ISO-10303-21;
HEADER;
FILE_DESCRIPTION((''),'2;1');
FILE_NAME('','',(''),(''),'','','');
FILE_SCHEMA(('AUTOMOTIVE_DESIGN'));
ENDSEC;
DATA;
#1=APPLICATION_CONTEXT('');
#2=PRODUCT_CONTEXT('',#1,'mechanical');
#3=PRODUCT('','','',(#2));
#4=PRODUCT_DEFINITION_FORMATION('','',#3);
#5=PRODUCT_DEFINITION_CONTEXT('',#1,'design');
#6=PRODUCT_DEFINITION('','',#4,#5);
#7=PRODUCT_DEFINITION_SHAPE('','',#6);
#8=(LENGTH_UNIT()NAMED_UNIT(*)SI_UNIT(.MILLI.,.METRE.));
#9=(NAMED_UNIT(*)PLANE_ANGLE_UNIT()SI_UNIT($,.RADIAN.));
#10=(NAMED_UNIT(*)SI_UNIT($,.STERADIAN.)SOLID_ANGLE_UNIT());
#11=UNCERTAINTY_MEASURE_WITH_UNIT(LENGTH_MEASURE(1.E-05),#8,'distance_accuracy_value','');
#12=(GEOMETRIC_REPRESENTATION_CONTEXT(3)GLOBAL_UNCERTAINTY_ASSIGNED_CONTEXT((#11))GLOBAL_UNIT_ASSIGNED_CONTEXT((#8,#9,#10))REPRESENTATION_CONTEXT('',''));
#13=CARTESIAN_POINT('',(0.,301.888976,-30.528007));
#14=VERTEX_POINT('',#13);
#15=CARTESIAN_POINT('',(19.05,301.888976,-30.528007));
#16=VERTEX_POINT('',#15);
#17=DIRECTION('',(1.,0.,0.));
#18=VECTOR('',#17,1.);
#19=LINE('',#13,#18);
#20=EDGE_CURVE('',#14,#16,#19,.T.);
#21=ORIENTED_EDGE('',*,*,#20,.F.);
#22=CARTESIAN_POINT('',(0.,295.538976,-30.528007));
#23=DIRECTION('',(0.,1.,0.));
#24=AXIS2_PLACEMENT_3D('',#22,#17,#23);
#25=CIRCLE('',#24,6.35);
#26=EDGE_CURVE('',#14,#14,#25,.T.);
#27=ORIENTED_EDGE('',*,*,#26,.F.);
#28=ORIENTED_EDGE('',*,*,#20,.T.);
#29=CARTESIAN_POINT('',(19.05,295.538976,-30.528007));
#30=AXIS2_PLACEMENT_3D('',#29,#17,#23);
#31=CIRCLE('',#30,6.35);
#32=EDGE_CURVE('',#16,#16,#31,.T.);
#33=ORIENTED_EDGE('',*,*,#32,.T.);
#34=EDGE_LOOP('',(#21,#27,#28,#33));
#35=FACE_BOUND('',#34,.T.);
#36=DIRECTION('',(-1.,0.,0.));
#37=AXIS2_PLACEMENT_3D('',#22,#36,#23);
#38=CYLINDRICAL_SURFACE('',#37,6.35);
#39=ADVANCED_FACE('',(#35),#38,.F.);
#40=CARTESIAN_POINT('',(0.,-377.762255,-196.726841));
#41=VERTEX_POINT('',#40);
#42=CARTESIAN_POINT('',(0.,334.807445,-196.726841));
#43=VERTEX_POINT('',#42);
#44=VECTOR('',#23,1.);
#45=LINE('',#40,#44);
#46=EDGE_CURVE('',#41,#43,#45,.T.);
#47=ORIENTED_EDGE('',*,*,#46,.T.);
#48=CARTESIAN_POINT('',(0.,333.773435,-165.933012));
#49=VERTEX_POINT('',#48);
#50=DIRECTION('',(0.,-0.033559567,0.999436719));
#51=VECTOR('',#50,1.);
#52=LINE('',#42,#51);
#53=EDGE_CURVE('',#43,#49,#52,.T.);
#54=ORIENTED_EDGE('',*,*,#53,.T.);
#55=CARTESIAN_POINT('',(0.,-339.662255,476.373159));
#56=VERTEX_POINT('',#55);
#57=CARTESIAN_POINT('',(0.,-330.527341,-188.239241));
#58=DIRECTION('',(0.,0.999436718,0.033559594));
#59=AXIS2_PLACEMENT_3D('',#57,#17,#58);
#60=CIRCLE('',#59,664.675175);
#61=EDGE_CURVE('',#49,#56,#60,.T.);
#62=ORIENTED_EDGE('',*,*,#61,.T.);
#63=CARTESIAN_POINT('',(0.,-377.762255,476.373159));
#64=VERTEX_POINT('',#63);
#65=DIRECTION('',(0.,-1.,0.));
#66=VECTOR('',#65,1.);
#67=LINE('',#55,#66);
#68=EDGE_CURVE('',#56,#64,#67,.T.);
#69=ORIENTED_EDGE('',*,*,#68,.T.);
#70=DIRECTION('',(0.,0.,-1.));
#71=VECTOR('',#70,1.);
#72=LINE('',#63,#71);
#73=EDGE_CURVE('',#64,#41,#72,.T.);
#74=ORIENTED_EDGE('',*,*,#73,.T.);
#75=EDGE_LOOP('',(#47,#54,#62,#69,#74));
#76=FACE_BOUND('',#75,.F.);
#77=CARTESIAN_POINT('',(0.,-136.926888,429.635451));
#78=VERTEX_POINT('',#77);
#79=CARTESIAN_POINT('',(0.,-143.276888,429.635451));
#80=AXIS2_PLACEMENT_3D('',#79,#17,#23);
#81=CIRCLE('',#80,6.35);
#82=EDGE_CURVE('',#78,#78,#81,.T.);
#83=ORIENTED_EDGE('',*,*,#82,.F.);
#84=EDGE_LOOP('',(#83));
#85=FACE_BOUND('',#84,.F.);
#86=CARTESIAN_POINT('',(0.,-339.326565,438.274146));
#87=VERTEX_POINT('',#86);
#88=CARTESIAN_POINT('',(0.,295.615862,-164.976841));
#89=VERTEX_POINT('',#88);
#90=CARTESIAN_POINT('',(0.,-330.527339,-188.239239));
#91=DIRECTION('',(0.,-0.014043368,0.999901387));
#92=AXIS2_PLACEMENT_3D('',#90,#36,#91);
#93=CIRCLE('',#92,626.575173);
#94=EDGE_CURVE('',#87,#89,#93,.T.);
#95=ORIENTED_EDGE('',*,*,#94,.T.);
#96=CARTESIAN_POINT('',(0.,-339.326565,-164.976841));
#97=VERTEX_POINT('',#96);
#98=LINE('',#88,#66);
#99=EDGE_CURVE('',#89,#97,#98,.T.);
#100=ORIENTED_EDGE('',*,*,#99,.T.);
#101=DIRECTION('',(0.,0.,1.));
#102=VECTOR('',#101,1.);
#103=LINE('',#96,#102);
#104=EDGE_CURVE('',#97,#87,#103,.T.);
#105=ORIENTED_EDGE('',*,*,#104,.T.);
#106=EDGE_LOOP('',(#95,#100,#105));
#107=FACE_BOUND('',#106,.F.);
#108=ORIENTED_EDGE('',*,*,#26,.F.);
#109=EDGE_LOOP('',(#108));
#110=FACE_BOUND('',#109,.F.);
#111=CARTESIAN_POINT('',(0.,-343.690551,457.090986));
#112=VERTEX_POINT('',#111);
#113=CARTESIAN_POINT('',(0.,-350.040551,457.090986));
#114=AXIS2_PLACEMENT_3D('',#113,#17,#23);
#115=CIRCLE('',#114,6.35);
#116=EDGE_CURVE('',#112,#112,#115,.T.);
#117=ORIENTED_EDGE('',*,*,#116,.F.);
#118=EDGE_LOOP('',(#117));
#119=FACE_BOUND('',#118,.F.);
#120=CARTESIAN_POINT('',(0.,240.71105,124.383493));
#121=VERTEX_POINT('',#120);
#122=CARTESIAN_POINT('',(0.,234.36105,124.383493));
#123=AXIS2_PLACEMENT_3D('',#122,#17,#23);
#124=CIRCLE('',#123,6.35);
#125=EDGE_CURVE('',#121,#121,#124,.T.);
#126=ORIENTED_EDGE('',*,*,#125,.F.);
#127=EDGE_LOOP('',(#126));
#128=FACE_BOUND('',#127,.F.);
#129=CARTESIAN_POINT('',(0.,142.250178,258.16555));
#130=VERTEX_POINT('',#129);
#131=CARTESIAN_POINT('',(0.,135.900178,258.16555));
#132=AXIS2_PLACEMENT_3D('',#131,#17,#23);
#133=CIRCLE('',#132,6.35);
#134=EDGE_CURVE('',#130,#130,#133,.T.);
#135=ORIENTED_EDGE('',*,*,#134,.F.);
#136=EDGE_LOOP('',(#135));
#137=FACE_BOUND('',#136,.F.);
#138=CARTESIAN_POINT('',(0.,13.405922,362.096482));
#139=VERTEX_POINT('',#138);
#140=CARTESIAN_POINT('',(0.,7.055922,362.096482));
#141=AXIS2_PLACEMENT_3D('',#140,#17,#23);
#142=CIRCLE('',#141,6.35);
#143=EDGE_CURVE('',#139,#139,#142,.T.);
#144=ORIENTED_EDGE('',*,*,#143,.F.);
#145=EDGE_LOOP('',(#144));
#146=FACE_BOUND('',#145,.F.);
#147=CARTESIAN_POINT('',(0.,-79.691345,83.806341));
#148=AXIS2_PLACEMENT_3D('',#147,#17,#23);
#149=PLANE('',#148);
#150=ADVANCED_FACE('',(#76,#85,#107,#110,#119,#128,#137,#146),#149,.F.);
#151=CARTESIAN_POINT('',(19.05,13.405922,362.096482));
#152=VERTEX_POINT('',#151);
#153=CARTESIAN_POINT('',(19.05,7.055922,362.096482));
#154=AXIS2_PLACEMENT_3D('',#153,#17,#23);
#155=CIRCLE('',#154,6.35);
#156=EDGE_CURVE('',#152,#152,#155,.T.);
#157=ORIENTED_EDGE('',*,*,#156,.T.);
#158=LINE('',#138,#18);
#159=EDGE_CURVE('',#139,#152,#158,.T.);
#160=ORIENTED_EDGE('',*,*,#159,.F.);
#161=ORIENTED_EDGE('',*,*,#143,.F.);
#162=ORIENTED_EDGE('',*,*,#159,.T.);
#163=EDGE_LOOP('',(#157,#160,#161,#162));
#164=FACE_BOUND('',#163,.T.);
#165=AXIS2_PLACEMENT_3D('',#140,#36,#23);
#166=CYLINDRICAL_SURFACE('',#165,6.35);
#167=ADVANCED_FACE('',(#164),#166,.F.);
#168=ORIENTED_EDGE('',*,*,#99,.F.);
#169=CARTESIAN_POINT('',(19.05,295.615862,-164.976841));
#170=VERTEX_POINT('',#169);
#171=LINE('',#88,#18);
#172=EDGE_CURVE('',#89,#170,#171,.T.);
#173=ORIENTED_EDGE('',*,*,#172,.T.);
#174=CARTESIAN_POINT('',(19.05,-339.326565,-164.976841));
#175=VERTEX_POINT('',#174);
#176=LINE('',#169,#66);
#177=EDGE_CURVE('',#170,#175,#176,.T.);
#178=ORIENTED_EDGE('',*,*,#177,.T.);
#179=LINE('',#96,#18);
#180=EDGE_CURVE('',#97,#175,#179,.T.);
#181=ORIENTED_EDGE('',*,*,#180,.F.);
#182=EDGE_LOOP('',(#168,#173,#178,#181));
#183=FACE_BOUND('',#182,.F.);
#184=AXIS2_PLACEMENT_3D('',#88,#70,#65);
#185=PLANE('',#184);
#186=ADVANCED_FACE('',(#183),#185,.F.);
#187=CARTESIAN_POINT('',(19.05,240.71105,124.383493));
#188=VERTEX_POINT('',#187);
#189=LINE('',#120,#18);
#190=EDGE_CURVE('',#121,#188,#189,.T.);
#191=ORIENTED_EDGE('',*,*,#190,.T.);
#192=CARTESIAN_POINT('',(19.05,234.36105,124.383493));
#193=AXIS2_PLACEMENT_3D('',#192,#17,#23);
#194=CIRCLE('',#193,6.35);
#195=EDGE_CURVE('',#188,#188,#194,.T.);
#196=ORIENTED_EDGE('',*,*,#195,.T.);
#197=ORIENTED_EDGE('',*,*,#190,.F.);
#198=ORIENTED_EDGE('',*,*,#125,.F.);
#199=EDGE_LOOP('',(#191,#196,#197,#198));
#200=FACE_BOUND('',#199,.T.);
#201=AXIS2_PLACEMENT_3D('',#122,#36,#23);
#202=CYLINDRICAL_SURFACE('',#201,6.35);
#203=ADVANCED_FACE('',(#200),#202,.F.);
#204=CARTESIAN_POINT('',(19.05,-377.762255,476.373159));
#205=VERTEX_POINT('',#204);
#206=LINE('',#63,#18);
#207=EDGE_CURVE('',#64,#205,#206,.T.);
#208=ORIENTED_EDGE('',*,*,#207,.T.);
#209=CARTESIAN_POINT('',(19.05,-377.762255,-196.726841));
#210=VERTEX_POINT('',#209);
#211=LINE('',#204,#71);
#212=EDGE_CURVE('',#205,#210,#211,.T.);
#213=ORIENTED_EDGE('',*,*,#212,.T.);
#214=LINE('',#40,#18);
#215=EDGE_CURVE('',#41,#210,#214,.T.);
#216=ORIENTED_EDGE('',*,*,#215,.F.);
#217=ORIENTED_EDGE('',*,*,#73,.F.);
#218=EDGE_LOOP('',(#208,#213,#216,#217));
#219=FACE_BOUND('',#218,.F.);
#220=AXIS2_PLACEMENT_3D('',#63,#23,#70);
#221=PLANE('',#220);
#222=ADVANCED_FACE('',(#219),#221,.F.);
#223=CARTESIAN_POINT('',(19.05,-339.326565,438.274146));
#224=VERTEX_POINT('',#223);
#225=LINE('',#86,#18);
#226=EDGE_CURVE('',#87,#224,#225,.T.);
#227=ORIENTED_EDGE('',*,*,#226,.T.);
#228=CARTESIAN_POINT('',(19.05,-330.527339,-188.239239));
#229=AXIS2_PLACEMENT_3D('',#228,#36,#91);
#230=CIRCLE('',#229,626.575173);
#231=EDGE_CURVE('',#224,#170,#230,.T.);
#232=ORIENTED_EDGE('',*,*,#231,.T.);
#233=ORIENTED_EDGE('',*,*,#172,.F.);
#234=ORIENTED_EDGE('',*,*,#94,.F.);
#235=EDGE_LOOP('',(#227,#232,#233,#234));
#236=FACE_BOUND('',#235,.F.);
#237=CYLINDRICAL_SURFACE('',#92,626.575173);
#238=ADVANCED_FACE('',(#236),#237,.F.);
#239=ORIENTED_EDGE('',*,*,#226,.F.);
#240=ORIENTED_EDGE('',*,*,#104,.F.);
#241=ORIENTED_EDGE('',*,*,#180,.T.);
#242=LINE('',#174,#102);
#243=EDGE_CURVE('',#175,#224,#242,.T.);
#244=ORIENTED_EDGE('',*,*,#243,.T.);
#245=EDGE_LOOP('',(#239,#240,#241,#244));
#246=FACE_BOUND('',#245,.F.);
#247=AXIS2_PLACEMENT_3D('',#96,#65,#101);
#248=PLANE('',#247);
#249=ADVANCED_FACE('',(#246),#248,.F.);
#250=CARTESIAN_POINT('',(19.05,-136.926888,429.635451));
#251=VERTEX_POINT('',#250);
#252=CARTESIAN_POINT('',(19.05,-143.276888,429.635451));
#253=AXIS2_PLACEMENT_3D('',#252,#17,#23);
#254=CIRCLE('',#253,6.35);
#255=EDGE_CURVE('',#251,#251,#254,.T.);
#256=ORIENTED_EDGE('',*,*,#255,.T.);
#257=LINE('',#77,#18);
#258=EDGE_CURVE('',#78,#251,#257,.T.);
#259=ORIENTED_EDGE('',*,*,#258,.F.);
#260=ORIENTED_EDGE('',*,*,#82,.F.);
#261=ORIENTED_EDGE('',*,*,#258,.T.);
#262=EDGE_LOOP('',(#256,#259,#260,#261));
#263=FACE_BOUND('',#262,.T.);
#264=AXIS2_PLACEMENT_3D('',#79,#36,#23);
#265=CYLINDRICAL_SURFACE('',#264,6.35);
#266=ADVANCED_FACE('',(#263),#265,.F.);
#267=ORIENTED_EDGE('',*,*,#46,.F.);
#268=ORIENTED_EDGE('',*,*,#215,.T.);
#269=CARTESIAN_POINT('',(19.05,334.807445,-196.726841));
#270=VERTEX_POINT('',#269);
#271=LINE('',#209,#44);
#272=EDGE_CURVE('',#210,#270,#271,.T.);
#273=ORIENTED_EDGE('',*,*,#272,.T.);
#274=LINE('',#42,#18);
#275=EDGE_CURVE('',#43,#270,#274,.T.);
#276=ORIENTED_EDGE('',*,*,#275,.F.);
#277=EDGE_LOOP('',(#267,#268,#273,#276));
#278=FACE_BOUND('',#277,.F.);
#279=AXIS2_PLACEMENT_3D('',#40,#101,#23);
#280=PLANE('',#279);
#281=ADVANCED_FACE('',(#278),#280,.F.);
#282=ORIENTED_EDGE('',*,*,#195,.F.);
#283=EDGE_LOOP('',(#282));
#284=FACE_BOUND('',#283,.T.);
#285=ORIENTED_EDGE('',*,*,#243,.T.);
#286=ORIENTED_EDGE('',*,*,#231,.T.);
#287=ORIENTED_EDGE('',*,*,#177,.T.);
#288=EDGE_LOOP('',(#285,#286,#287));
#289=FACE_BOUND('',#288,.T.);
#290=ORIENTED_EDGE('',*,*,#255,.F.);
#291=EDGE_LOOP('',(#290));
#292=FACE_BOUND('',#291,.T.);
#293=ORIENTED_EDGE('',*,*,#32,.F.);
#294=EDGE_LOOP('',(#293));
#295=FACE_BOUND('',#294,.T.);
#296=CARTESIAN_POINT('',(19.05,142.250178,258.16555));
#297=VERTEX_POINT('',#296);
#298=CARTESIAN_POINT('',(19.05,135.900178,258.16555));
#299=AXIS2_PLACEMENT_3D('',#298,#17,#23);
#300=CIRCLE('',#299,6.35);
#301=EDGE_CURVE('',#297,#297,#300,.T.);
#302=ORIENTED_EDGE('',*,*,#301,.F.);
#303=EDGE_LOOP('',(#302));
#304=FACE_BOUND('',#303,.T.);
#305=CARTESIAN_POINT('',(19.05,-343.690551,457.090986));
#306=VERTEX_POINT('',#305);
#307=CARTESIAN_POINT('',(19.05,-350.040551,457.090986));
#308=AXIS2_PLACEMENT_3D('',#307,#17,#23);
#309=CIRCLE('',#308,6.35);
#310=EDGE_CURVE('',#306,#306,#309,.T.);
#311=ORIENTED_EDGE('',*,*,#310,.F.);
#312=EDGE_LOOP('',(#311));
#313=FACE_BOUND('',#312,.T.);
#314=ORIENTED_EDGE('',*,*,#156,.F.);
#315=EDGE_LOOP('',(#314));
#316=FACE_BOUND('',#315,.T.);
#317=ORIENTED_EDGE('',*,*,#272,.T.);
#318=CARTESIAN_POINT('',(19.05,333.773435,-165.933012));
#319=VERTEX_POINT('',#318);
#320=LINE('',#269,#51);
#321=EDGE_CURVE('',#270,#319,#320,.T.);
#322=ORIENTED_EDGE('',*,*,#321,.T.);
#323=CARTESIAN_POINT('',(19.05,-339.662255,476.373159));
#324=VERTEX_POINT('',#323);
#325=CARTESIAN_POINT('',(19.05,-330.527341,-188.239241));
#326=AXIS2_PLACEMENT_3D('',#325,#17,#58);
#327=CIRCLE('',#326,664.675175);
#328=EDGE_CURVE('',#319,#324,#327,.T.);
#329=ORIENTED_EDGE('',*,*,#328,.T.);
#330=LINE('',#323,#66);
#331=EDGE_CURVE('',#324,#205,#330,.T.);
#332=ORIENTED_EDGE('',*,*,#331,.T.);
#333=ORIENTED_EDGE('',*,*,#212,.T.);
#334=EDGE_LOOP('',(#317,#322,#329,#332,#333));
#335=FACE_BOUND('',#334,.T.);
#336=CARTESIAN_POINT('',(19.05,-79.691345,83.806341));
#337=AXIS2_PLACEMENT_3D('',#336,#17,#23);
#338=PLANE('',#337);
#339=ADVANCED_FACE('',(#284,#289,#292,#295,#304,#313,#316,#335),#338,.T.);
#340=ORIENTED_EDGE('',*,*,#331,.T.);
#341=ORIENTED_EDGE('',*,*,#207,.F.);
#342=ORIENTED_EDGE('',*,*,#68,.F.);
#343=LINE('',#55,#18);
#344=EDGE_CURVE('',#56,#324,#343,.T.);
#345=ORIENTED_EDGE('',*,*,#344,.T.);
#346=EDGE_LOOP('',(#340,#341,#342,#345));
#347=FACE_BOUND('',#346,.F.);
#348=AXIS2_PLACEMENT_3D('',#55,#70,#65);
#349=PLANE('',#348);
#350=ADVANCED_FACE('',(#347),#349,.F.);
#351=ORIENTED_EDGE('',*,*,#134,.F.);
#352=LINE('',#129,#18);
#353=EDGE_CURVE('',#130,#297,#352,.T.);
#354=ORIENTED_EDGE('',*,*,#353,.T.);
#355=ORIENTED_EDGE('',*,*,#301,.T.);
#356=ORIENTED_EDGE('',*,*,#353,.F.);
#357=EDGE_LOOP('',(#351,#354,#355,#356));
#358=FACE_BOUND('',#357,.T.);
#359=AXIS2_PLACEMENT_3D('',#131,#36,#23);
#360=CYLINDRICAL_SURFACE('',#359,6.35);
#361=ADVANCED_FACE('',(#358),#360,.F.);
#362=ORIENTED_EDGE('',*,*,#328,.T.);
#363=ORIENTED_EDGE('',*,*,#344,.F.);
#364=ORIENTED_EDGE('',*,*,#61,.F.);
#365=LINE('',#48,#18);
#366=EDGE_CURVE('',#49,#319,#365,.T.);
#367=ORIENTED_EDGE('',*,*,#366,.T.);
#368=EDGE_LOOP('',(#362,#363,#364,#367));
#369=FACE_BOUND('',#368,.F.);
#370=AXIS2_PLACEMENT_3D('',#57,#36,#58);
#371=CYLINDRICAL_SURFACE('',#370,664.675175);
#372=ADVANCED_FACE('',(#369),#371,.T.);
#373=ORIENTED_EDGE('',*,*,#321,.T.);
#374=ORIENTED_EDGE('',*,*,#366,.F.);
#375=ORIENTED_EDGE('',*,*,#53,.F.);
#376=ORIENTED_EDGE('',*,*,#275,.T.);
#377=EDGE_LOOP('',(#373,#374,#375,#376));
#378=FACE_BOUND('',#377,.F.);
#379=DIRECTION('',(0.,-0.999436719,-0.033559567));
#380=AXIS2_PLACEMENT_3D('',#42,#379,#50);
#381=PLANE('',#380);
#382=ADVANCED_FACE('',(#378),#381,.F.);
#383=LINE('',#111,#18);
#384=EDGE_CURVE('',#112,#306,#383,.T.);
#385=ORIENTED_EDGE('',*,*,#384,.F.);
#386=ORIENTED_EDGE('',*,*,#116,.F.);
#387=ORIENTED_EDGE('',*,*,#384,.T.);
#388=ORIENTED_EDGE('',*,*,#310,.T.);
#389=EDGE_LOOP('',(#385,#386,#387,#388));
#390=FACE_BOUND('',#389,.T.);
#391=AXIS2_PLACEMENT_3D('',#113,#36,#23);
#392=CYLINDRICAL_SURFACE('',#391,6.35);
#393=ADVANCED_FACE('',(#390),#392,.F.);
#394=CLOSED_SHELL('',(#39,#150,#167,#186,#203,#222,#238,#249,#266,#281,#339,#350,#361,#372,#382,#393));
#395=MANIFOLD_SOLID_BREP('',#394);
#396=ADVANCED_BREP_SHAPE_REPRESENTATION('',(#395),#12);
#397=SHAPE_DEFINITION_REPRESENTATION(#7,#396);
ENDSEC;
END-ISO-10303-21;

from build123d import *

# Parameters (mm, degrees)
F0_R     = 6.35
F1_DEPTH = 19.05


with BuildPart() as f1:
    # F0 (on Right) → F1 (new body)
    with BuildSketch(Plane.YZ):
        with BuildLine():
            Line((334.807445, -196.726841), (333.773435, -165.933012))
            ThreePointArc((333.773435, -165.933012), (128.220826, 292.742264), (-339.662255, 476.373159))
            Line((-339.662255, 476.373159), (-377.762255, 476.373159))
            Line((-377.762255, 476.373159), (-377.762255, -196.726841))
            Line((-377.762255, -196.726841), (314.387745, -196.726841))
            Line((314.387745, -196.726841), (334.807445, -196.726841))
        make_face()
        with BuildLine():
            ThreePointArc((-339.326565, 438.274146), (101.046912, 266.007515), (295.615862, -164.976841))
            Line((295.615862, -164.976841), (-339.326565, -164.976841))
            Line((-339.326565, -164.976841), (-339.326565, 438.274146))
        make_face(mode=Mode.SUBTRACT)
        with Locations((295.538976, -30.528007)):
            Circle(F0_R, mode=Mode.SUBTRACT)
        with Locations((234.36105, 124.383493)):
            Circle(F0_R, mode=Mode.SUBTRACT)
        with Locations((-350.040551, 457.090986)):
            Circle(F0_R, mode=Mode.SUBTRACT)
        with Locations((-143.276888, 429.635451)):
            Circle(F0_R, mode=Mode.SUBTRACT)
        with Locations((135.900178, 258.16555)):
            Circle(F0_R, mode=Mode.SUBTRACT)
        with Locations((7.055922, 362.096482)):
            Circle(F0_R, mode=Mode.SUBTRACT)
    extrude(amount=F1_DEPTH)


solid = f1.part
